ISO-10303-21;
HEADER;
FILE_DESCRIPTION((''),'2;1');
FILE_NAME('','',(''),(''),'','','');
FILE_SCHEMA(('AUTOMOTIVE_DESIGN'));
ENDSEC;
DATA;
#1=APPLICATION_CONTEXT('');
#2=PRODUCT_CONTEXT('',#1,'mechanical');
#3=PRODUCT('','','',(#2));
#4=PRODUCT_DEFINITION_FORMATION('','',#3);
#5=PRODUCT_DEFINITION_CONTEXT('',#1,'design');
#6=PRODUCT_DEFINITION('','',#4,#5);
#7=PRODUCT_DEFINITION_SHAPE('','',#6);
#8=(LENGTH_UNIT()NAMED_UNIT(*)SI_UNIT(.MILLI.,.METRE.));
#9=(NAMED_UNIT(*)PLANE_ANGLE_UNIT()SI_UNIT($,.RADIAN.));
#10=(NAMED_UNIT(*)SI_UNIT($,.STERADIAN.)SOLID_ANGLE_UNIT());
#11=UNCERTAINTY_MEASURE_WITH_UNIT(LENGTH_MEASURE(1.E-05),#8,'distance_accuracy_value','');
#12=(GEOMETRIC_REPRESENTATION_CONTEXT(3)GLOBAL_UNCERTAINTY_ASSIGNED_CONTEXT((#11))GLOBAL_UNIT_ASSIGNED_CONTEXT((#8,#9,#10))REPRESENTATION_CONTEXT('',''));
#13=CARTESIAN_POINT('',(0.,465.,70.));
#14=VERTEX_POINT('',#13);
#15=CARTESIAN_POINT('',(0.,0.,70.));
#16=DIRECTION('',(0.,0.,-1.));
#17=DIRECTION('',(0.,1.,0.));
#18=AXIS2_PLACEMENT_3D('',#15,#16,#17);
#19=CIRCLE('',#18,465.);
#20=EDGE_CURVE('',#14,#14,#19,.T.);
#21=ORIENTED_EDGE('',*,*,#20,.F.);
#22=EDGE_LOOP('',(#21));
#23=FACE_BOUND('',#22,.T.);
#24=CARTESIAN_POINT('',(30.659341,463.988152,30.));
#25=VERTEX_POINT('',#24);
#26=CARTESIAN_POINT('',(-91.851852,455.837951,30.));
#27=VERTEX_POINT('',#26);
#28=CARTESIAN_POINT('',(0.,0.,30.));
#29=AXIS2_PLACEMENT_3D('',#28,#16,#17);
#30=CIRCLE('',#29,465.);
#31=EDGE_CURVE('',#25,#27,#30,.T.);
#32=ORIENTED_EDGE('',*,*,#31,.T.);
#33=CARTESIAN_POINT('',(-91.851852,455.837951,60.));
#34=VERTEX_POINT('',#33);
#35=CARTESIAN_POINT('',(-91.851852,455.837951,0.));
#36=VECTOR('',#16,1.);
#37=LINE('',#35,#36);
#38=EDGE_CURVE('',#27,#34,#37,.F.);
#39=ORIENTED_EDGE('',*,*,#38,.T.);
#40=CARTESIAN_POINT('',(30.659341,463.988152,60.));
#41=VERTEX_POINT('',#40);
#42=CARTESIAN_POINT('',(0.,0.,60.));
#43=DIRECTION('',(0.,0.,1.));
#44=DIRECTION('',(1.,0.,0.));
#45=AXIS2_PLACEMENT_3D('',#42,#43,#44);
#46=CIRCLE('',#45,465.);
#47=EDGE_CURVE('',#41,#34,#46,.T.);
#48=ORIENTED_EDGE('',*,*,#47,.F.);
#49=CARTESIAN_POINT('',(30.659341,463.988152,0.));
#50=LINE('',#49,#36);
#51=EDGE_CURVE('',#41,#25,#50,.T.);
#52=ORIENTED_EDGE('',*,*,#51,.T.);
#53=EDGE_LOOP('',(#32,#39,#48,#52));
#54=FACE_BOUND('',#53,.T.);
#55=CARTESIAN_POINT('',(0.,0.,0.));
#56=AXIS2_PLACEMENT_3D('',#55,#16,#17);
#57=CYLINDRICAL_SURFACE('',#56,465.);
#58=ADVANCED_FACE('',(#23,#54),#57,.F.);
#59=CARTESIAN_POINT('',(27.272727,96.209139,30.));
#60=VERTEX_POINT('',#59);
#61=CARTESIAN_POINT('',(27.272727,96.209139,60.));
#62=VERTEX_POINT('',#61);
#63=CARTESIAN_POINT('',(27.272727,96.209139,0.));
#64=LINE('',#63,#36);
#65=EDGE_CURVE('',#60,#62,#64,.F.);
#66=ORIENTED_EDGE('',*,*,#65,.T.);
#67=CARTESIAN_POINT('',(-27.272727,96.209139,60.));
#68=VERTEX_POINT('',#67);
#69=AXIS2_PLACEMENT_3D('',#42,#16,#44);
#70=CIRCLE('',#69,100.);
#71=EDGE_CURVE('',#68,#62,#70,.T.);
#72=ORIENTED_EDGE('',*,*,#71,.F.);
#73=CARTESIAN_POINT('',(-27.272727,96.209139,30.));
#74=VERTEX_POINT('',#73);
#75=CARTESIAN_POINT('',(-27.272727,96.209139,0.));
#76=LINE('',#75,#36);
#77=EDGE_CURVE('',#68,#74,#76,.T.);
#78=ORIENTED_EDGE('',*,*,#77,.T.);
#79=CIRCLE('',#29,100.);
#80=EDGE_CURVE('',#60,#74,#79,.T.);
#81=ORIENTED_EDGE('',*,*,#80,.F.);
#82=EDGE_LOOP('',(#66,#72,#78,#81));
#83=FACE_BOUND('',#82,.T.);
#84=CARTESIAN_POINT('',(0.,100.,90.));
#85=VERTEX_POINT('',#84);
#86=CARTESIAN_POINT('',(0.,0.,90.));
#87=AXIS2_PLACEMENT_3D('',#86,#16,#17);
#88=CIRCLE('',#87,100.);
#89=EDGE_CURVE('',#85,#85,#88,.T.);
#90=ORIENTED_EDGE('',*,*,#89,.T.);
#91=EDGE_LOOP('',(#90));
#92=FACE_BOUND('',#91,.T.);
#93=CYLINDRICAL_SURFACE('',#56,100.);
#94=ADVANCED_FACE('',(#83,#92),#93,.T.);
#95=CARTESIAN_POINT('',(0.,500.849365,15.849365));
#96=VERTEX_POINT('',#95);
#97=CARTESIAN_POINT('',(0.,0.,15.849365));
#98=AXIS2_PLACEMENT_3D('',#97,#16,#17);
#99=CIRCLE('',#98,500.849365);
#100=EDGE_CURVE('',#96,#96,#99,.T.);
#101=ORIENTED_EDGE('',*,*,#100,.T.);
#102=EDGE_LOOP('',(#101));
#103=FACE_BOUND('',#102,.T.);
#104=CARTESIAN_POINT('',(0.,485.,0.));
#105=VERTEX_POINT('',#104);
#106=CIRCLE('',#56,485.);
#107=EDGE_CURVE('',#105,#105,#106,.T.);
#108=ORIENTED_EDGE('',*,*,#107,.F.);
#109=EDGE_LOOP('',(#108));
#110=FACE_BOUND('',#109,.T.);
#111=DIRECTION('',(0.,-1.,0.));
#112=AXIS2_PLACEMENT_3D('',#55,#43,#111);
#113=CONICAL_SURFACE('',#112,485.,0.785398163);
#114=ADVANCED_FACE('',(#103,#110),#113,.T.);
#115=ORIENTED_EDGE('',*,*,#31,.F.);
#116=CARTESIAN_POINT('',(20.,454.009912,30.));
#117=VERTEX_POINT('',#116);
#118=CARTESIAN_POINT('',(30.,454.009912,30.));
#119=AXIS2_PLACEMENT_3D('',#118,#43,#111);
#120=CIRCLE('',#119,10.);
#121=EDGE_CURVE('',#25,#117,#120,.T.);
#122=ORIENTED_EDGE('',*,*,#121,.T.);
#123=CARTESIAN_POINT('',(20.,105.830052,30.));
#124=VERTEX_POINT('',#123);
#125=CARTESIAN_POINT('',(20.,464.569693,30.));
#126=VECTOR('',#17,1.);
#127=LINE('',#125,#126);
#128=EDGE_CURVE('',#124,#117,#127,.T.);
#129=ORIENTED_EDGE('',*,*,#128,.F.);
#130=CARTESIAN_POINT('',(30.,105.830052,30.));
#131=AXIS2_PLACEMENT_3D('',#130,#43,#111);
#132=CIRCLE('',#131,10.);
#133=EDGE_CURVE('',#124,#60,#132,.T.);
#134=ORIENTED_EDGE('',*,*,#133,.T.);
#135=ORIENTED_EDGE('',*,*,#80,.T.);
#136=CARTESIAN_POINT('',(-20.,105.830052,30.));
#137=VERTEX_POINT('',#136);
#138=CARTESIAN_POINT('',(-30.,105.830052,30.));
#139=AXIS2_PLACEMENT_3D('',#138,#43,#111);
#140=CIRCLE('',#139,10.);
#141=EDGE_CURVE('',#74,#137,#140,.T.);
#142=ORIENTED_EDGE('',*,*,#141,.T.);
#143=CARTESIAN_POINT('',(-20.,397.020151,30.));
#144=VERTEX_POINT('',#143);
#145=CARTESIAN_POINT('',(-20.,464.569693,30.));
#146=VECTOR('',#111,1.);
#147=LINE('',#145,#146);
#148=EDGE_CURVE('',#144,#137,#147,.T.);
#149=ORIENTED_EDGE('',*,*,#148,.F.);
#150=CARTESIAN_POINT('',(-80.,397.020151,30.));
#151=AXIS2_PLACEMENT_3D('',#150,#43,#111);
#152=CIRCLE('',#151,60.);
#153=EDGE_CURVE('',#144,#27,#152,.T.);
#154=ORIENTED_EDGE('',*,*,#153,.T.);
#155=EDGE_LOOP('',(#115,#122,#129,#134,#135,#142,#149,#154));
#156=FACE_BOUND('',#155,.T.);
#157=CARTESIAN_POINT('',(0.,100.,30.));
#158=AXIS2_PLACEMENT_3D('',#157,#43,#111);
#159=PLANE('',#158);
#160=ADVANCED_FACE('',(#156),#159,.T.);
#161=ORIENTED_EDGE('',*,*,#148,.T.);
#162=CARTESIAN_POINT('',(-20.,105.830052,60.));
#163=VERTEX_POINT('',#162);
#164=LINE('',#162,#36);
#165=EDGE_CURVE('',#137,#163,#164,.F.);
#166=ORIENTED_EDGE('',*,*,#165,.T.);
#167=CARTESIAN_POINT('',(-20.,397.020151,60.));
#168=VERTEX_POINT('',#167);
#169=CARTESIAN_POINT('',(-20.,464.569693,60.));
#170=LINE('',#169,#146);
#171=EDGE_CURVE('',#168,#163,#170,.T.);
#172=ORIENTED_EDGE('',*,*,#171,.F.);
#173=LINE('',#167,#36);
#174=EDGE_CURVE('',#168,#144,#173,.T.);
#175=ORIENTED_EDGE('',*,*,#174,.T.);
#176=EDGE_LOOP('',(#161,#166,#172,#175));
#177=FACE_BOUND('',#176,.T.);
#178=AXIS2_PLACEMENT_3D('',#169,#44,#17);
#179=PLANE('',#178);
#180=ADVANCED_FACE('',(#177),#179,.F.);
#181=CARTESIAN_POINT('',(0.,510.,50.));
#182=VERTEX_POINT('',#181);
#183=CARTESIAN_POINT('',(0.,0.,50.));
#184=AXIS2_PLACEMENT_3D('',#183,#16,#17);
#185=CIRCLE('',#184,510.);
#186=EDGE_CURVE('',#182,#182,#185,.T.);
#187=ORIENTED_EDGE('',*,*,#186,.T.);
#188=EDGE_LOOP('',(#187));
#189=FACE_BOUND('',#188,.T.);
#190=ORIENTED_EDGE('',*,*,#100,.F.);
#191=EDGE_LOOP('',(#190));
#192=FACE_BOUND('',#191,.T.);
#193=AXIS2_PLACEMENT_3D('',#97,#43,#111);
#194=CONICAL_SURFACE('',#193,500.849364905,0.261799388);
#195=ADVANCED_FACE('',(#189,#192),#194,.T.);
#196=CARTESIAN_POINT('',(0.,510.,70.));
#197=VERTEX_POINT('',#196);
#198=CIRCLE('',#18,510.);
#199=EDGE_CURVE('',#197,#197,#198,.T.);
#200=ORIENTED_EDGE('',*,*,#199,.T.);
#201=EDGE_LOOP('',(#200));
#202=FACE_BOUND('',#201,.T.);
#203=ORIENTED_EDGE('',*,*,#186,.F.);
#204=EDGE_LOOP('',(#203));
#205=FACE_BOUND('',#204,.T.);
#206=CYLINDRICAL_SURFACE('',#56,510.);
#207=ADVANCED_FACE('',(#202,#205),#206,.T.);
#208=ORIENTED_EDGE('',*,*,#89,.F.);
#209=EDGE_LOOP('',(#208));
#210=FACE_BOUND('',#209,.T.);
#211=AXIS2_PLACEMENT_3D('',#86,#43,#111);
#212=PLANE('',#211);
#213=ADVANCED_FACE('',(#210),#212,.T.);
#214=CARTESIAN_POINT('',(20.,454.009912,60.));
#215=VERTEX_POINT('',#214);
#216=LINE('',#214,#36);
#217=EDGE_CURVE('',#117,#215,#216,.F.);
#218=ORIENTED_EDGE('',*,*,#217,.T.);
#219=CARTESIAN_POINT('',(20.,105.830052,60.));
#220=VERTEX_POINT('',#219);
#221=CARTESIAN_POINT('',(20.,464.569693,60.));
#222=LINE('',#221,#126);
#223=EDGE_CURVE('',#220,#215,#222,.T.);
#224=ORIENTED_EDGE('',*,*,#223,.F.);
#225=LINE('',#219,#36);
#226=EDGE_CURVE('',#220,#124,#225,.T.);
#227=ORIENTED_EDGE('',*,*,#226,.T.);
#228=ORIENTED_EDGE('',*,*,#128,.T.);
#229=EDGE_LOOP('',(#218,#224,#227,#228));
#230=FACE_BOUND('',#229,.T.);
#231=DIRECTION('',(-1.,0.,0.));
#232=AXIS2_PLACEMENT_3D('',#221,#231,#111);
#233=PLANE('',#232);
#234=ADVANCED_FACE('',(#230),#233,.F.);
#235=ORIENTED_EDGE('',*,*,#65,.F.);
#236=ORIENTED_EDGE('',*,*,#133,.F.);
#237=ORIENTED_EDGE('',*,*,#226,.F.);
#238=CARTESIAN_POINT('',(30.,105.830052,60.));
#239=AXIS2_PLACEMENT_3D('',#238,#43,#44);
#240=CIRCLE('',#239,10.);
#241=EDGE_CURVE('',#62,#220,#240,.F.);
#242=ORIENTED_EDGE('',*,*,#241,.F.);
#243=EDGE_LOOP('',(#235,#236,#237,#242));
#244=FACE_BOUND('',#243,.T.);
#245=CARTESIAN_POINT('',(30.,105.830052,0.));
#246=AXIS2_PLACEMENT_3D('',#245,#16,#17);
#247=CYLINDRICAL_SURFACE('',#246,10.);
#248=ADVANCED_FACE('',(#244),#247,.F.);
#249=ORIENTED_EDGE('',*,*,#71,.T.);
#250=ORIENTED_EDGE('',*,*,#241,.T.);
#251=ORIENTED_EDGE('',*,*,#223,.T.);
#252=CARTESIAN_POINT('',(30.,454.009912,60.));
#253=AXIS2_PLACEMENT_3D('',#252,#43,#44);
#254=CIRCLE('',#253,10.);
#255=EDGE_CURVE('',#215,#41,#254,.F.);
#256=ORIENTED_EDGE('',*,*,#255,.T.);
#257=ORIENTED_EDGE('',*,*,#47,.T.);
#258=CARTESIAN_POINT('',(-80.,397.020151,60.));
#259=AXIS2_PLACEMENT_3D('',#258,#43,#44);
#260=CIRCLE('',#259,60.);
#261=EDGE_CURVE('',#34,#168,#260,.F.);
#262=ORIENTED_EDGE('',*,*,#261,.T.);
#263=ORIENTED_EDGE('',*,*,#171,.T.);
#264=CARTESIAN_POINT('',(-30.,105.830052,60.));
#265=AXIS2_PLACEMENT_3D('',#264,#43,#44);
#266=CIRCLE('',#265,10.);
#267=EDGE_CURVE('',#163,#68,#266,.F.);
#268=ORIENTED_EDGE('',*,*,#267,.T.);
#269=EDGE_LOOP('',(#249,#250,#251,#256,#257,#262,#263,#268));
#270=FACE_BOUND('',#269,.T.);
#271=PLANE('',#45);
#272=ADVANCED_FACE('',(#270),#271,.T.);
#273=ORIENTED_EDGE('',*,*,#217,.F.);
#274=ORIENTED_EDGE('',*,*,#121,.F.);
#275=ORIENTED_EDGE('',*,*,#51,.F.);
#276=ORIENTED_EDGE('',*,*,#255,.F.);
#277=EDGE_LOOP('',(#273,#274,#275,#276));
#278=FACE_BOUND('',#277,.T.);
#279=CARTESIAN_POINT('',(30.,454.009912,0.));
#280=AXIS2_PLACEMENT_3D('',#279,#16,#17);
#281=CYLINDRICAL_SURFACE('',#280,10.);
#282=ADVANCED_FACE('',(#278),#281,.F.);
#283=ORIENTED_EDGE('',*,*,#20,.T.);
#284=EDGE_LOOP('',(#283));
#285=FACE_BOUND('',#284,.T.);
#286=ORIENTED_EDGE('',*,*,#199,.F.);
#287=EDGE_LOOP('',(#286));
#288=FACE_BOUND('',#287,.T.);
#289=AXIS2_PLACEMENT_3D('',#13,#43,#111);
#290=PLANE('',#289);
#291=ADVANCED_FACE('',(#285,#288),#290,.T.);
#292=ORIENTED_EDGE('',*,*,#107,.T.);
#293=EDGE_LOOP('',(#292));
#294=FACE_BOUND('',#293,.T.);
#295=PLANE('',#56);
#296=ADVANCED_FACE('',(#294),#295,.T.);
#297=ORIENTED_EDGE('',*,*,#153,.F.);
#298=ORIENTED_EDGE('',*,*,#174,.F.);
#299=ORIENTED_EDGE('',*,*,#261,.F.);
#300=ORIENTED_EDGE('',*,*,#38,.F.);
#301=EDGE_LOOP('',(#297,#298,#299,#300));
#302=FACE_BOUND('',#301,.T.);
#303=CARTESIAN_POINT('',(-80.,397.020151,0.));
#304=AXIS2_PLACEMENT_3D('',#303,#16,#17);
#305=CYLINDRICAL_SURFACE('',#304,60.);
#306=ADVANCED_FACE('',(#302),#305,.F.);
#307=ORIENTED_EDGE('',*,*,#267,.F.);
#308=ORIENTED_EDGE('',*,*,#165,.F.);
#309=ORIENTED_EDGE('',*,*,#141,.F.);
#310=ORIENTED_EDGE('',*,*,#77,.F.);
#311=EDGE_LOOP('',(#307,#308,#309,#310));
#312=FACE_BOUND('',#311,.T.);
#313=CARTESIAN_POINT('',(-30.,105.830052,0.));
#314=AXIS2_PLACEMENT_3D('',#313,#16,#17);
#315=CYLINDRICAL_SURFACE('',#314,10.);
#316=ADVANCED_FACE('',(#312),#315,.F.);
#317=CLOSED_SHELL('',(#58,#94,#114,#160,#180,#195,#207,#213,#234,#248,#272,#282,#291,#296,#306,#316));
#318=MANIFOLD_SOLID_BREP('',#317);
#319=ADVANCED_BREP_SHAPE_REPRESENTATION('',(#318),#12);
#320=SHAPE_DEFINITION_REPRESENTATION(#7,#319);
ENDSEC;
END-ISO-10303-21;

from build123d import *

# Parameters (mm, degrees)
BOSS_EXTRUDE1_DEPTH = 30
FILLET1_R           = 60
FILLET2_R           = 10


with BuildPart() as part:
    # Sketch1 → Revolve1 (revolve)
    with BuildSketch(Plane(origin=(0, 0, 0), x_dir=(0, 0, -1), z_dir=(1, 0, 0))):
        Polygon((0, 0), (0, 485), (-15.849364905, 500.849364905), (-50, 510), (-70, 510), (-70, 465), (-30, 465), (-30, 100), (-90, 100), (-90, 0), (-30, 0), align=None)
    revolve(axis=Axis((0, 0, 0), (0, 0, 1)))

    # Sketch2 → Boss-Extrude1 (add)
    with BuildSketch(Plane.XY.offset(30)):
        with BuildLine():
            Line((-20, 464.569693372), (-20, 97.979589711))
            ThreePointArc((-20, 97.979589711), (0, 100), (20, 97.979589711))
            Line((20, 97.979589711), (20, 464.569693372))
            ThreePointArc((20, 464.569693372), (0, 465), (-20, 464.569693372))
        make_face()
    extrude(amount=BOSS_EXTRUDE1_DEPTH)

    # Fillet1
    fillet1_edges = [part.edges().sort_by_distance(p)[0] for p in [
        (-20, 464.569693372, 45),
    ]]
    fillet(fillet1_edges, radius=FILLET1_R)

    # Fillet2
    fillet2_edges = [part.edges().sort_by_distance(p)[0] for p in [
        (20, 464.569693372, 45),
        (-20, 97.979589711, 45),
        (20, 97.979589711, 45),
    ]]
    fillet(fillet2_edges, radius=FILLET2_R)


solid = part.part
